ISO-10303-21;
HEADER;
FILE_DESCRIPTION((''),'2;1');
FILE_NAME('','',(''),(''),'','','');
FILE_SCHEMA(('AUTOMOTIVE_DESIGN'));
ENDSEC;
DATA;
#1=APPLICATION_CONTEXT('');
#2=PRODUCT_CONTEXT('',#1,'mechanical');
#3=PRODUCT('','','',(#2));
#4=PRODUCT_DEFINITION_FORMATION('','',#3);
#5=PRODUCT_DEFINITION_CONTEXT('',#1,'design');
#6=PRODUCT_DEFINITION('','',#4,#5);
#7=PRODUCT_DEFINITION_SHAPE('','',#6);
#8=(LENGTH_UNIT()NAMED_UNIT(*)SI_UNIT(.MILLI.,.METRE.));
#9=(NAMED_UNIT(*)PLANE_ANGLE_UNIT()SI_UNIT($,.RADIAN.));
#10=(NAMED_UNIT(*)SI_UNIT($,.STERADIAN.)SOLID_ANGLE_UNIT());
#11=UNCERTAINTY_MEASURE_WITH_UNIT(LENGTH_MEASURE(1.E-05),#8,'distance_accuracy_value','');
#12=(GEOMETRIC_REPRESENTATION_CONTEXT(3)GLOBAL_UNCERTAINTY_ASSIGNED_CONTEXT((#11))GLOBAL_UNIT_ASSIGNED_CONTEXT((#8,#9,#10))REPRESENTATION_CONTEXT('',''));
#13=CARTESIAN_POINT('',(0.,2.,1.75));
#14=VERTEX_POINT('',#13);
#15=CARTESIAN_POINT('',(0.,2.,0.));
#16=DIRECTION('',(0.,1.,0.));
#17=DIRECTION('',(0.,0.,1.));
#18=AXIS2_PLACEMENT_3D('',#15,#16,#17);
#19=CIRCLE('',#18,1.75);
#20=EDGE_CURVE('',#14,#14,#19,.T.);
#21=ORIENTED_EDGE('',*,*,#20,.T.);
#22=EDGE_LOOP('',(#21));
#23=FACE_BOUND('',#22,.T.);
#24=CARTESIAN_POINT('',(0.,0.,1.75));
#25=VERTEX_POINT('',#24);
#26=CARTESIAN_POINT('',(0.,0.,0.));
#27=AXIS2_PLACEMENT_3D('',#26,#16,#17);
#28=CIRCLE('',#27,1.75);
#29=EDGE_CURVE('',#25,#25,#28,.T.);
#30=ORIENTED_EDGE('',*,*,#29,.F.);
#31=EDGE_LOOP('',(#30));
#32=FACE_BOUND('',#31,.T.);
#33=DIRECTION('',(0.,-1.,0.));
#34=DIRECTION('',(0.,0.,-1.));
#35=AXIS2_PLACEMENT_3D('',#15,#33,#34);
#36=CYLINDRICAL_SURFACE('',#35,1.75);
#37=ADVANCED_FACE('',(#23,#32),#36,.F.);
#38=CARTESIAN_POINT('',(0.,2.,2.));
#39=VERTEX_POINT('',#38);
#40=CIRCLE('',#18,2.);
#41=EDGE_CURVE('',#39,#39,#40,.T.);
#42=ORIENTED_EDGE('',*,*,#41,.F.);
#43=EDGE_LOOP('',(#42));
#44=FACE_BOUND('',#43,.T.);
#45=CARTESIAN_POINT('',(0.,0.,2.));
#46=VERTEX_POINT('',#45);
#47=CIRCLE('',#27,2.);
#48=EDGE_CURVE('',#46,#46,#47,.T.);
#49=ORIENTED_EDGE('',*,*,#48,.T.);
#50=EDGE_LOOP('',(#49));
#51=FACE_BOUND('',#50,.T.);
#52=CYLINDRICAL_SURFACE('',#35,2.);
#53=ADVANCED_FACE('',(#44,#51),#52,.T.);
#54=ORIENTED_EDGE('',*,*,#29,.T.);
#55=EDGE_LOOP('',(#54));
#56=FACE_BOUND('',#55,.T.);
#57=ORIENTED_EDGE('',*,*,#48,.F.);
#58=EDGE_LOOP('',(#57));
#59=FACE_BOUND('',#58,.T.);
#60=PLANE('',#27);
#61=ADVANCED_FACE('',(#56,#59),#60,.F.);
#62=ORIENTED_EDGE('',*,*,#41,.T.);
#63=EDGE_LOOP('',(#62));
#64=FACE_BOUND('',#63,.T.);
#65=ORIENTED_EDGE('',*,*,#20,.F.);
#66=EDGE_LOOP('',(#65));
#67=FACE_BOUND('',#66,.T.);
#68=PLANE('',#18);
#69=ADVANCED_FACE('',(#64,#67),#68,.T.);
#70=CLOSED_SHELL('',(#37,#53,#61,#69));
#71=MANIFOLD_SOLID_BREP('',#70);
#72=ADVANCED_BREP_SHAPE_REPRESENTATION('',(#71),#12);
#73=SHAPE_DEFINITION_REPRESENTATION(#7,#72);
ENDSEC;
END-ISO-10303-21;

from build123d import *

# Parameters (mm, degrees)
SKETCH1_R           = 2
SKETCH1_R_2         = 1.75
BOSS_EXTRUDE1_DEPTH = 2


with BuildPart() as part:
    # Sketch1 → Boss-Extrude1 (new body)
    with BuildSketch(Plane(origin=(0, 0, 0), x_dir=(1, 0, 0), z_dir=(0, 1, 0))):
        with Locations(Location((0, 0, 0), (0, 0, 270))):
            Circle(SKETCH1_R)
        with Locations(Location((0, 0, 0), (0, 0, 270))):
            Circle(SKETCH1_R_2, mode=Mode.SUBTRACT)
    extrude(amount=BOSS_EXTRUDE1_DEPTH)


solid = part.part
